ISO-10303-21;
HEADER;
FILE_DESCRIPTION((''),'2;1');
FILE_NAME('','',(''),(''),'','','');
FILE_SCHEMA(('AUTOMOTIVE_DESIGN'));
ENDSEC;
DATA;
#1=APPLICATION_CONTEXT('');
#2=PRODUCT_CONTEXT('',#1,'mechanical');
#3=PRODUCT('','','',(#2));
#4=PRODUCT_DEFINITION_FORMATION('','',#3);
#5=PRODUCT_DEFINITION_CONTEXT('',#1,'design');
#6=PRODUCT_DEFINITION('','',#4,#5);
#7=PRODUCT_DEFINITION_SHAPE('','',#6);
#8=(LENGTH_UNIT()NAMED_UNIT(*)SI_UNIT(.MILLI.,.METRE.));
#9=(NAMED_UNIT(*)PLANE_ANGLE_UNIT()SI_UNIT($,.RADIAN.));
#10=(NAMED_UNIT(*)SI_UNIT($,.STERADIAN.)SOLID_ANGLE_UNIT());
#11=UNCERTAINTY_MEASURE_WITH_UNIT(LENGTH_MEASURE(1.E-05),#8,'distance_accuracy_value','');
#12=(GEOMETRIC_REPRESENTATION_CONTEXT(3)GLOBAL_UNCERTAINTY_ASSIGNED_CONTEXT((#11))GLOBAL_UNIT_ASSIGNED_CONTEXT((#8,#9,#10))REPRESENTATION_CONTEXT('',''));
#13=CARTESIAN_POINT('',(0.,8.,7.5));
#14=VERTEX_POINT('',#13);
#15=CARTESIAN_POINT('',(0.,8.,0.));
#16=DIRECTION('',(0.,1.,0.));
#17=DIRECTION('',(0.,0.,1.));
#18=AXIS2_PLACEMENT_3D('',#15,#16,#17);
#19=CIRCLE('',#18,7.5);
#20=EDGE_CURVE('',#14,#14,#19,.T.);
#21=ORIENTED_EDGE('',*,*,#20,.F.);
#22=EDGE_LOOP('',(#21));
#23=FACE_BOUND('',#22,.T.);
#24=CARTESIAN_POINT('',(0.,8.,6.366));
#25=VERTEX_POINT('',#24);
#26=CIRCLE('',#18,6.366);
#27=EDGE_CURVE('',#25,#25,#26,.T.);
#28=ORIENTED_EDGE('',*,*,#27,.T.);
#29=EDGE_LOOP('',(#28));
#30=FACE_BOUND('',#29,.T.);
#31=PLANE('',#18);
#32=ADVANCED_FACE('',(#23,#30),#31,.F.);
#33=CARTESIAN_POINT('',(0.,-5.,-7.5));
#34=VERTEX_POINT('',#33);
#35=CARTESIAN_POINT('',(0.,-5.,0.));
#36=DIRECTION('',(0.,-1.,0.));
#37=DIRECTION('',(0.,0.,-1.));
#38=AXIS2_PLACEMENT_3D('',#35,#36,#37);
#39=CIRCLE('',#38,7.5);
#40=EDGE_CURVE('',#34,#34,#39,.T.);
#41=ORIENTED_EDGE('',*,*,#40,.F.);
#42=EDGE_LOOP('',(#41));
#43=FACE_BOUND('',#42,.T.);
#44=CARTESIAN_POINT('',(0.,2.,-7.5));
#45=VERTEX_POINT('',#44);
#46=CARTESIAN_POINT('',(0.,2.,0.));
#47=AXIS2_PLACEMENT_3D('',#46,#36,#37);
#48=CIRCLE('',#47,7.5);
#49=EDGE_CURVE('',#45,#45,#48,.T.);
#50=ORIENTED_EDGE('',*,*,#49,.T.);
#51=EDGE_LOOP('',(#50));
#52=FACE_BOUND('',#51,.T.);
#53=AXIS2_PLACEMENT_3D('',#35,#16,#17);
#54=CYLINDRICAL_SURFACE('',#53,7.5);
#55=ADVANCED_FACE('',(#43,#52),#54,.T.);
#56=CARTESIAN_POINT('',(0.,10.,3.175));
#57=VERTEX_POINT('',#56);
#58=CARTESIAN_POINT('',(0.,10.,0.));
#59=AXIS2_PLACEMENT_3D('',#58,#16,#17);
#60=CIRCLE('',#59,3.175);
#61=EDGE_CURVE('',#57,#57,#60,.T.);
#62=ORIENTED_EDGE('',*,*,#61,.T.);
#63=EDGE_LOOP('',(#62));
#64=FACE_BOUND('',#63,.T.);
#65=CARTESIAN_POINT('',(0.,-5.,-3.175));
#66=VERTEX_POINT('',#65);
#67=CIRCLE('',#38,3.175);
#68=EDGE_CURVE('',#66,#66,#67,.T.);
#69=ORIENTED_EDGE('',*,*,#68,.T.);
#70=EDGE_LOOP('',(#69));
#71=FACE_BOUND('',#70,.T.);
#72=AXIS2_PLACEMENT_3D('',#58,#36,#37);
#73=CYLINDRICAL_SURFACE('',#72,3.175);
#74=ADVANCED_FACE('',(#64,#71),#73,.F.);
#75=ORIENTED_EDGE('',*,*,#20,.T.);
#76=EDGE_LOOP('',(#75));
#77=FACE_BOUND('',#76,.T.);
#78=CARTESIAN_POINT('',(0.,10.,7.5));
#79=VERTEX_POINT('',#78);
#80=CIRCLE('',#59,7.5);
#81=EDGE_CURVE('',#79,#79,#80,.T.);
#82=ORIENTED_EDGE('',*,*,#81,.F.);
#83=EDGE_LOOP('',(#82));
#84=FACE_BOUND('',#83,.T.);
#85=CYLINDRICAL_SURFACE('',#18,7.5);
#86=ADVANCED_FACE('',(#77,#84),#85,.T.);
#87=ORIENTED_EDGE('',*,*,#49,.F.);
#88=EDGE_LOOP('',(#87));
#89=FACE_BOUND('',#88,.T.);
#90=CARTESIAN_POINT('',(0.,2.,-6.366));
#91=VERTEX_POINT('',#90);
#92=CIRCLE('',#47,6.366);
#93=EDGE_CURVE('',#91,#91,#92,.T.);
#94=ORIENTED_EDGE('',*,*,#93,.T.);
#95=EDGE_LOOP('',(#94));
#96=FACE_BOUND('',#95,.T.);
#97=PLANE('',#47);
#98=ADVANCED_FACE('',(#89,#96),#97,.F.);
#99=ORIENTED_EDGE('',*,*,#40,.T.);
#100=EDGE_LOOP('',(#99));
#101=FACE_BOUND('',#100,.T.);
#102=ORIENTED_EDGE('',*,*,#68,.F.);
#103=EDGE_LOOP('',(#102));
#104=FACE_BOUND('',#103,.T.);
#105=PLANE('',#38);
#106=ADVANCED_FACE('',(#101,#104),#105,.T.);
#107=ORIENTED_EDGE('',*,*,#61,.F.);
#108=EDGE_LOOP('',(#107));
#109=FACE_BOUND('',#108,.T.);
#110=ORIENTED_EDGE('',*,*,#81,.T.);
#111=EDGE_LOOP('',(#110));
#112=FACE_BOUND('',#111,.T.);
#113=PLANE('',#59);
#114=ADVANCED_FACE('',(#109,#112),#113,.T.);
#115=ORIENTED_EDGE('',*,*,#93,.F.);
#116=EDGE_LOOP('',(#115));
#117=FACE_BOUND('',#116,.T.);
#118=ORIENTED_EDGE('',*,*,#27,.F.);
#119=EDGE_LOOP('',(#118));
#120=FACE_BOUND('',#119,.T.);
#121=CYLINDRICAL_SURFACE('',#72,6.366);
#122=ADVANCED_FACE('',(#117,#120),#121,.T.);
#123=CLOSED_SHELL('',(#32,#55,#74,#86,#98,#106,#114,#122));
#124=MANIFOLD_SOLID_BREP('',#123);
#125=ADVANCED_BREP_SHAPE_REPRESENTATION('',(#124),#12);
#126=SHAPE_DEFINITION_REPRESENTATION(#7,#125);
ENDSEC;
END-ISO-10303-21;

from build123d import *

# Parameters (mm, degrees)
SKETCH1_R                = 6.366
SKETCH1_R_2              = 3.175
BOSS_EXTRUDE1_DEPTH      = 10
BOSS_EXTRUDE2_START      = -2
SKETCH2_R                = 7.5
SKETCH2_R_2              = 3.175
BOSS_EXTRUDE2_DEPTH      = 2
BOSS_EXTRUDE3_DEPTH      = 5
BOSS_EXTRUDE3_DEPTH_BACK = 2
SKETCH3_R                = 7.5
SKETCH3_R_2              = 3.175


with BuildPart() as part:
    # Sketch1 → Boss-Extrude1 (new body)
    with BuildSketch(Plane(origin=(0, 0, 0), x_dir=(1, 0, 0), z_dir=(0, 1, 0))):
        with Locations(Location((0, 0, 0), (0, 0, 270))):
            Circle(SKETCH1_R)
        with Locations(Location((0, 0, 0), (0, 0, 270))):
            Circle(SKETCH1_R_2, mode=Mode.SUBTRACT)
    extrude(amount=BOSS_EXTRUDE1_DEPTH)

    # Sketch2 → Boss-Extrude2 (add)
    with BuildSketch(Plane(origin=(0, 10, 0), x_dir=(1, 0, 0), z_dir=(0, 1, 0)).offset(BOSS_EXTRUDE2_START)):
        with Locations(Location((0, 0, 0), (0, 0, 270))):
            Circle(SKETCH2_R)
        with Locations(Location((0, 0, 0), (0, 0, 270))):
            Circle(SKETCH2_R_2, mode=Mode.SUBTRACT)
    extrude(amount=BOSS_EXTRUDE2_DEPTH)

    # Sketch3 → Boss-Extrude3 (add, two sides: drawn at the far end of the back side and taken through both)
    with BuildSketch(Plane.XZ.offset(-BOSS_EXTRUDE3_DEPTH_BACK)):
        with Locations(Location((0, 0, 0), (0, 0, 90))):
            Circle(SKETCH3_R)
        with Locations(Location((0, 0, 0), (0, 0, 270))):
            Circle(SKETCH3_R_2, mode=Mode.SUBTRACT)
    extrude(amount=BOSS_EXTRUDE3_DEPTH + BOSS_EXTRUDE3_DEPTH_BACK)


solid = part.part
